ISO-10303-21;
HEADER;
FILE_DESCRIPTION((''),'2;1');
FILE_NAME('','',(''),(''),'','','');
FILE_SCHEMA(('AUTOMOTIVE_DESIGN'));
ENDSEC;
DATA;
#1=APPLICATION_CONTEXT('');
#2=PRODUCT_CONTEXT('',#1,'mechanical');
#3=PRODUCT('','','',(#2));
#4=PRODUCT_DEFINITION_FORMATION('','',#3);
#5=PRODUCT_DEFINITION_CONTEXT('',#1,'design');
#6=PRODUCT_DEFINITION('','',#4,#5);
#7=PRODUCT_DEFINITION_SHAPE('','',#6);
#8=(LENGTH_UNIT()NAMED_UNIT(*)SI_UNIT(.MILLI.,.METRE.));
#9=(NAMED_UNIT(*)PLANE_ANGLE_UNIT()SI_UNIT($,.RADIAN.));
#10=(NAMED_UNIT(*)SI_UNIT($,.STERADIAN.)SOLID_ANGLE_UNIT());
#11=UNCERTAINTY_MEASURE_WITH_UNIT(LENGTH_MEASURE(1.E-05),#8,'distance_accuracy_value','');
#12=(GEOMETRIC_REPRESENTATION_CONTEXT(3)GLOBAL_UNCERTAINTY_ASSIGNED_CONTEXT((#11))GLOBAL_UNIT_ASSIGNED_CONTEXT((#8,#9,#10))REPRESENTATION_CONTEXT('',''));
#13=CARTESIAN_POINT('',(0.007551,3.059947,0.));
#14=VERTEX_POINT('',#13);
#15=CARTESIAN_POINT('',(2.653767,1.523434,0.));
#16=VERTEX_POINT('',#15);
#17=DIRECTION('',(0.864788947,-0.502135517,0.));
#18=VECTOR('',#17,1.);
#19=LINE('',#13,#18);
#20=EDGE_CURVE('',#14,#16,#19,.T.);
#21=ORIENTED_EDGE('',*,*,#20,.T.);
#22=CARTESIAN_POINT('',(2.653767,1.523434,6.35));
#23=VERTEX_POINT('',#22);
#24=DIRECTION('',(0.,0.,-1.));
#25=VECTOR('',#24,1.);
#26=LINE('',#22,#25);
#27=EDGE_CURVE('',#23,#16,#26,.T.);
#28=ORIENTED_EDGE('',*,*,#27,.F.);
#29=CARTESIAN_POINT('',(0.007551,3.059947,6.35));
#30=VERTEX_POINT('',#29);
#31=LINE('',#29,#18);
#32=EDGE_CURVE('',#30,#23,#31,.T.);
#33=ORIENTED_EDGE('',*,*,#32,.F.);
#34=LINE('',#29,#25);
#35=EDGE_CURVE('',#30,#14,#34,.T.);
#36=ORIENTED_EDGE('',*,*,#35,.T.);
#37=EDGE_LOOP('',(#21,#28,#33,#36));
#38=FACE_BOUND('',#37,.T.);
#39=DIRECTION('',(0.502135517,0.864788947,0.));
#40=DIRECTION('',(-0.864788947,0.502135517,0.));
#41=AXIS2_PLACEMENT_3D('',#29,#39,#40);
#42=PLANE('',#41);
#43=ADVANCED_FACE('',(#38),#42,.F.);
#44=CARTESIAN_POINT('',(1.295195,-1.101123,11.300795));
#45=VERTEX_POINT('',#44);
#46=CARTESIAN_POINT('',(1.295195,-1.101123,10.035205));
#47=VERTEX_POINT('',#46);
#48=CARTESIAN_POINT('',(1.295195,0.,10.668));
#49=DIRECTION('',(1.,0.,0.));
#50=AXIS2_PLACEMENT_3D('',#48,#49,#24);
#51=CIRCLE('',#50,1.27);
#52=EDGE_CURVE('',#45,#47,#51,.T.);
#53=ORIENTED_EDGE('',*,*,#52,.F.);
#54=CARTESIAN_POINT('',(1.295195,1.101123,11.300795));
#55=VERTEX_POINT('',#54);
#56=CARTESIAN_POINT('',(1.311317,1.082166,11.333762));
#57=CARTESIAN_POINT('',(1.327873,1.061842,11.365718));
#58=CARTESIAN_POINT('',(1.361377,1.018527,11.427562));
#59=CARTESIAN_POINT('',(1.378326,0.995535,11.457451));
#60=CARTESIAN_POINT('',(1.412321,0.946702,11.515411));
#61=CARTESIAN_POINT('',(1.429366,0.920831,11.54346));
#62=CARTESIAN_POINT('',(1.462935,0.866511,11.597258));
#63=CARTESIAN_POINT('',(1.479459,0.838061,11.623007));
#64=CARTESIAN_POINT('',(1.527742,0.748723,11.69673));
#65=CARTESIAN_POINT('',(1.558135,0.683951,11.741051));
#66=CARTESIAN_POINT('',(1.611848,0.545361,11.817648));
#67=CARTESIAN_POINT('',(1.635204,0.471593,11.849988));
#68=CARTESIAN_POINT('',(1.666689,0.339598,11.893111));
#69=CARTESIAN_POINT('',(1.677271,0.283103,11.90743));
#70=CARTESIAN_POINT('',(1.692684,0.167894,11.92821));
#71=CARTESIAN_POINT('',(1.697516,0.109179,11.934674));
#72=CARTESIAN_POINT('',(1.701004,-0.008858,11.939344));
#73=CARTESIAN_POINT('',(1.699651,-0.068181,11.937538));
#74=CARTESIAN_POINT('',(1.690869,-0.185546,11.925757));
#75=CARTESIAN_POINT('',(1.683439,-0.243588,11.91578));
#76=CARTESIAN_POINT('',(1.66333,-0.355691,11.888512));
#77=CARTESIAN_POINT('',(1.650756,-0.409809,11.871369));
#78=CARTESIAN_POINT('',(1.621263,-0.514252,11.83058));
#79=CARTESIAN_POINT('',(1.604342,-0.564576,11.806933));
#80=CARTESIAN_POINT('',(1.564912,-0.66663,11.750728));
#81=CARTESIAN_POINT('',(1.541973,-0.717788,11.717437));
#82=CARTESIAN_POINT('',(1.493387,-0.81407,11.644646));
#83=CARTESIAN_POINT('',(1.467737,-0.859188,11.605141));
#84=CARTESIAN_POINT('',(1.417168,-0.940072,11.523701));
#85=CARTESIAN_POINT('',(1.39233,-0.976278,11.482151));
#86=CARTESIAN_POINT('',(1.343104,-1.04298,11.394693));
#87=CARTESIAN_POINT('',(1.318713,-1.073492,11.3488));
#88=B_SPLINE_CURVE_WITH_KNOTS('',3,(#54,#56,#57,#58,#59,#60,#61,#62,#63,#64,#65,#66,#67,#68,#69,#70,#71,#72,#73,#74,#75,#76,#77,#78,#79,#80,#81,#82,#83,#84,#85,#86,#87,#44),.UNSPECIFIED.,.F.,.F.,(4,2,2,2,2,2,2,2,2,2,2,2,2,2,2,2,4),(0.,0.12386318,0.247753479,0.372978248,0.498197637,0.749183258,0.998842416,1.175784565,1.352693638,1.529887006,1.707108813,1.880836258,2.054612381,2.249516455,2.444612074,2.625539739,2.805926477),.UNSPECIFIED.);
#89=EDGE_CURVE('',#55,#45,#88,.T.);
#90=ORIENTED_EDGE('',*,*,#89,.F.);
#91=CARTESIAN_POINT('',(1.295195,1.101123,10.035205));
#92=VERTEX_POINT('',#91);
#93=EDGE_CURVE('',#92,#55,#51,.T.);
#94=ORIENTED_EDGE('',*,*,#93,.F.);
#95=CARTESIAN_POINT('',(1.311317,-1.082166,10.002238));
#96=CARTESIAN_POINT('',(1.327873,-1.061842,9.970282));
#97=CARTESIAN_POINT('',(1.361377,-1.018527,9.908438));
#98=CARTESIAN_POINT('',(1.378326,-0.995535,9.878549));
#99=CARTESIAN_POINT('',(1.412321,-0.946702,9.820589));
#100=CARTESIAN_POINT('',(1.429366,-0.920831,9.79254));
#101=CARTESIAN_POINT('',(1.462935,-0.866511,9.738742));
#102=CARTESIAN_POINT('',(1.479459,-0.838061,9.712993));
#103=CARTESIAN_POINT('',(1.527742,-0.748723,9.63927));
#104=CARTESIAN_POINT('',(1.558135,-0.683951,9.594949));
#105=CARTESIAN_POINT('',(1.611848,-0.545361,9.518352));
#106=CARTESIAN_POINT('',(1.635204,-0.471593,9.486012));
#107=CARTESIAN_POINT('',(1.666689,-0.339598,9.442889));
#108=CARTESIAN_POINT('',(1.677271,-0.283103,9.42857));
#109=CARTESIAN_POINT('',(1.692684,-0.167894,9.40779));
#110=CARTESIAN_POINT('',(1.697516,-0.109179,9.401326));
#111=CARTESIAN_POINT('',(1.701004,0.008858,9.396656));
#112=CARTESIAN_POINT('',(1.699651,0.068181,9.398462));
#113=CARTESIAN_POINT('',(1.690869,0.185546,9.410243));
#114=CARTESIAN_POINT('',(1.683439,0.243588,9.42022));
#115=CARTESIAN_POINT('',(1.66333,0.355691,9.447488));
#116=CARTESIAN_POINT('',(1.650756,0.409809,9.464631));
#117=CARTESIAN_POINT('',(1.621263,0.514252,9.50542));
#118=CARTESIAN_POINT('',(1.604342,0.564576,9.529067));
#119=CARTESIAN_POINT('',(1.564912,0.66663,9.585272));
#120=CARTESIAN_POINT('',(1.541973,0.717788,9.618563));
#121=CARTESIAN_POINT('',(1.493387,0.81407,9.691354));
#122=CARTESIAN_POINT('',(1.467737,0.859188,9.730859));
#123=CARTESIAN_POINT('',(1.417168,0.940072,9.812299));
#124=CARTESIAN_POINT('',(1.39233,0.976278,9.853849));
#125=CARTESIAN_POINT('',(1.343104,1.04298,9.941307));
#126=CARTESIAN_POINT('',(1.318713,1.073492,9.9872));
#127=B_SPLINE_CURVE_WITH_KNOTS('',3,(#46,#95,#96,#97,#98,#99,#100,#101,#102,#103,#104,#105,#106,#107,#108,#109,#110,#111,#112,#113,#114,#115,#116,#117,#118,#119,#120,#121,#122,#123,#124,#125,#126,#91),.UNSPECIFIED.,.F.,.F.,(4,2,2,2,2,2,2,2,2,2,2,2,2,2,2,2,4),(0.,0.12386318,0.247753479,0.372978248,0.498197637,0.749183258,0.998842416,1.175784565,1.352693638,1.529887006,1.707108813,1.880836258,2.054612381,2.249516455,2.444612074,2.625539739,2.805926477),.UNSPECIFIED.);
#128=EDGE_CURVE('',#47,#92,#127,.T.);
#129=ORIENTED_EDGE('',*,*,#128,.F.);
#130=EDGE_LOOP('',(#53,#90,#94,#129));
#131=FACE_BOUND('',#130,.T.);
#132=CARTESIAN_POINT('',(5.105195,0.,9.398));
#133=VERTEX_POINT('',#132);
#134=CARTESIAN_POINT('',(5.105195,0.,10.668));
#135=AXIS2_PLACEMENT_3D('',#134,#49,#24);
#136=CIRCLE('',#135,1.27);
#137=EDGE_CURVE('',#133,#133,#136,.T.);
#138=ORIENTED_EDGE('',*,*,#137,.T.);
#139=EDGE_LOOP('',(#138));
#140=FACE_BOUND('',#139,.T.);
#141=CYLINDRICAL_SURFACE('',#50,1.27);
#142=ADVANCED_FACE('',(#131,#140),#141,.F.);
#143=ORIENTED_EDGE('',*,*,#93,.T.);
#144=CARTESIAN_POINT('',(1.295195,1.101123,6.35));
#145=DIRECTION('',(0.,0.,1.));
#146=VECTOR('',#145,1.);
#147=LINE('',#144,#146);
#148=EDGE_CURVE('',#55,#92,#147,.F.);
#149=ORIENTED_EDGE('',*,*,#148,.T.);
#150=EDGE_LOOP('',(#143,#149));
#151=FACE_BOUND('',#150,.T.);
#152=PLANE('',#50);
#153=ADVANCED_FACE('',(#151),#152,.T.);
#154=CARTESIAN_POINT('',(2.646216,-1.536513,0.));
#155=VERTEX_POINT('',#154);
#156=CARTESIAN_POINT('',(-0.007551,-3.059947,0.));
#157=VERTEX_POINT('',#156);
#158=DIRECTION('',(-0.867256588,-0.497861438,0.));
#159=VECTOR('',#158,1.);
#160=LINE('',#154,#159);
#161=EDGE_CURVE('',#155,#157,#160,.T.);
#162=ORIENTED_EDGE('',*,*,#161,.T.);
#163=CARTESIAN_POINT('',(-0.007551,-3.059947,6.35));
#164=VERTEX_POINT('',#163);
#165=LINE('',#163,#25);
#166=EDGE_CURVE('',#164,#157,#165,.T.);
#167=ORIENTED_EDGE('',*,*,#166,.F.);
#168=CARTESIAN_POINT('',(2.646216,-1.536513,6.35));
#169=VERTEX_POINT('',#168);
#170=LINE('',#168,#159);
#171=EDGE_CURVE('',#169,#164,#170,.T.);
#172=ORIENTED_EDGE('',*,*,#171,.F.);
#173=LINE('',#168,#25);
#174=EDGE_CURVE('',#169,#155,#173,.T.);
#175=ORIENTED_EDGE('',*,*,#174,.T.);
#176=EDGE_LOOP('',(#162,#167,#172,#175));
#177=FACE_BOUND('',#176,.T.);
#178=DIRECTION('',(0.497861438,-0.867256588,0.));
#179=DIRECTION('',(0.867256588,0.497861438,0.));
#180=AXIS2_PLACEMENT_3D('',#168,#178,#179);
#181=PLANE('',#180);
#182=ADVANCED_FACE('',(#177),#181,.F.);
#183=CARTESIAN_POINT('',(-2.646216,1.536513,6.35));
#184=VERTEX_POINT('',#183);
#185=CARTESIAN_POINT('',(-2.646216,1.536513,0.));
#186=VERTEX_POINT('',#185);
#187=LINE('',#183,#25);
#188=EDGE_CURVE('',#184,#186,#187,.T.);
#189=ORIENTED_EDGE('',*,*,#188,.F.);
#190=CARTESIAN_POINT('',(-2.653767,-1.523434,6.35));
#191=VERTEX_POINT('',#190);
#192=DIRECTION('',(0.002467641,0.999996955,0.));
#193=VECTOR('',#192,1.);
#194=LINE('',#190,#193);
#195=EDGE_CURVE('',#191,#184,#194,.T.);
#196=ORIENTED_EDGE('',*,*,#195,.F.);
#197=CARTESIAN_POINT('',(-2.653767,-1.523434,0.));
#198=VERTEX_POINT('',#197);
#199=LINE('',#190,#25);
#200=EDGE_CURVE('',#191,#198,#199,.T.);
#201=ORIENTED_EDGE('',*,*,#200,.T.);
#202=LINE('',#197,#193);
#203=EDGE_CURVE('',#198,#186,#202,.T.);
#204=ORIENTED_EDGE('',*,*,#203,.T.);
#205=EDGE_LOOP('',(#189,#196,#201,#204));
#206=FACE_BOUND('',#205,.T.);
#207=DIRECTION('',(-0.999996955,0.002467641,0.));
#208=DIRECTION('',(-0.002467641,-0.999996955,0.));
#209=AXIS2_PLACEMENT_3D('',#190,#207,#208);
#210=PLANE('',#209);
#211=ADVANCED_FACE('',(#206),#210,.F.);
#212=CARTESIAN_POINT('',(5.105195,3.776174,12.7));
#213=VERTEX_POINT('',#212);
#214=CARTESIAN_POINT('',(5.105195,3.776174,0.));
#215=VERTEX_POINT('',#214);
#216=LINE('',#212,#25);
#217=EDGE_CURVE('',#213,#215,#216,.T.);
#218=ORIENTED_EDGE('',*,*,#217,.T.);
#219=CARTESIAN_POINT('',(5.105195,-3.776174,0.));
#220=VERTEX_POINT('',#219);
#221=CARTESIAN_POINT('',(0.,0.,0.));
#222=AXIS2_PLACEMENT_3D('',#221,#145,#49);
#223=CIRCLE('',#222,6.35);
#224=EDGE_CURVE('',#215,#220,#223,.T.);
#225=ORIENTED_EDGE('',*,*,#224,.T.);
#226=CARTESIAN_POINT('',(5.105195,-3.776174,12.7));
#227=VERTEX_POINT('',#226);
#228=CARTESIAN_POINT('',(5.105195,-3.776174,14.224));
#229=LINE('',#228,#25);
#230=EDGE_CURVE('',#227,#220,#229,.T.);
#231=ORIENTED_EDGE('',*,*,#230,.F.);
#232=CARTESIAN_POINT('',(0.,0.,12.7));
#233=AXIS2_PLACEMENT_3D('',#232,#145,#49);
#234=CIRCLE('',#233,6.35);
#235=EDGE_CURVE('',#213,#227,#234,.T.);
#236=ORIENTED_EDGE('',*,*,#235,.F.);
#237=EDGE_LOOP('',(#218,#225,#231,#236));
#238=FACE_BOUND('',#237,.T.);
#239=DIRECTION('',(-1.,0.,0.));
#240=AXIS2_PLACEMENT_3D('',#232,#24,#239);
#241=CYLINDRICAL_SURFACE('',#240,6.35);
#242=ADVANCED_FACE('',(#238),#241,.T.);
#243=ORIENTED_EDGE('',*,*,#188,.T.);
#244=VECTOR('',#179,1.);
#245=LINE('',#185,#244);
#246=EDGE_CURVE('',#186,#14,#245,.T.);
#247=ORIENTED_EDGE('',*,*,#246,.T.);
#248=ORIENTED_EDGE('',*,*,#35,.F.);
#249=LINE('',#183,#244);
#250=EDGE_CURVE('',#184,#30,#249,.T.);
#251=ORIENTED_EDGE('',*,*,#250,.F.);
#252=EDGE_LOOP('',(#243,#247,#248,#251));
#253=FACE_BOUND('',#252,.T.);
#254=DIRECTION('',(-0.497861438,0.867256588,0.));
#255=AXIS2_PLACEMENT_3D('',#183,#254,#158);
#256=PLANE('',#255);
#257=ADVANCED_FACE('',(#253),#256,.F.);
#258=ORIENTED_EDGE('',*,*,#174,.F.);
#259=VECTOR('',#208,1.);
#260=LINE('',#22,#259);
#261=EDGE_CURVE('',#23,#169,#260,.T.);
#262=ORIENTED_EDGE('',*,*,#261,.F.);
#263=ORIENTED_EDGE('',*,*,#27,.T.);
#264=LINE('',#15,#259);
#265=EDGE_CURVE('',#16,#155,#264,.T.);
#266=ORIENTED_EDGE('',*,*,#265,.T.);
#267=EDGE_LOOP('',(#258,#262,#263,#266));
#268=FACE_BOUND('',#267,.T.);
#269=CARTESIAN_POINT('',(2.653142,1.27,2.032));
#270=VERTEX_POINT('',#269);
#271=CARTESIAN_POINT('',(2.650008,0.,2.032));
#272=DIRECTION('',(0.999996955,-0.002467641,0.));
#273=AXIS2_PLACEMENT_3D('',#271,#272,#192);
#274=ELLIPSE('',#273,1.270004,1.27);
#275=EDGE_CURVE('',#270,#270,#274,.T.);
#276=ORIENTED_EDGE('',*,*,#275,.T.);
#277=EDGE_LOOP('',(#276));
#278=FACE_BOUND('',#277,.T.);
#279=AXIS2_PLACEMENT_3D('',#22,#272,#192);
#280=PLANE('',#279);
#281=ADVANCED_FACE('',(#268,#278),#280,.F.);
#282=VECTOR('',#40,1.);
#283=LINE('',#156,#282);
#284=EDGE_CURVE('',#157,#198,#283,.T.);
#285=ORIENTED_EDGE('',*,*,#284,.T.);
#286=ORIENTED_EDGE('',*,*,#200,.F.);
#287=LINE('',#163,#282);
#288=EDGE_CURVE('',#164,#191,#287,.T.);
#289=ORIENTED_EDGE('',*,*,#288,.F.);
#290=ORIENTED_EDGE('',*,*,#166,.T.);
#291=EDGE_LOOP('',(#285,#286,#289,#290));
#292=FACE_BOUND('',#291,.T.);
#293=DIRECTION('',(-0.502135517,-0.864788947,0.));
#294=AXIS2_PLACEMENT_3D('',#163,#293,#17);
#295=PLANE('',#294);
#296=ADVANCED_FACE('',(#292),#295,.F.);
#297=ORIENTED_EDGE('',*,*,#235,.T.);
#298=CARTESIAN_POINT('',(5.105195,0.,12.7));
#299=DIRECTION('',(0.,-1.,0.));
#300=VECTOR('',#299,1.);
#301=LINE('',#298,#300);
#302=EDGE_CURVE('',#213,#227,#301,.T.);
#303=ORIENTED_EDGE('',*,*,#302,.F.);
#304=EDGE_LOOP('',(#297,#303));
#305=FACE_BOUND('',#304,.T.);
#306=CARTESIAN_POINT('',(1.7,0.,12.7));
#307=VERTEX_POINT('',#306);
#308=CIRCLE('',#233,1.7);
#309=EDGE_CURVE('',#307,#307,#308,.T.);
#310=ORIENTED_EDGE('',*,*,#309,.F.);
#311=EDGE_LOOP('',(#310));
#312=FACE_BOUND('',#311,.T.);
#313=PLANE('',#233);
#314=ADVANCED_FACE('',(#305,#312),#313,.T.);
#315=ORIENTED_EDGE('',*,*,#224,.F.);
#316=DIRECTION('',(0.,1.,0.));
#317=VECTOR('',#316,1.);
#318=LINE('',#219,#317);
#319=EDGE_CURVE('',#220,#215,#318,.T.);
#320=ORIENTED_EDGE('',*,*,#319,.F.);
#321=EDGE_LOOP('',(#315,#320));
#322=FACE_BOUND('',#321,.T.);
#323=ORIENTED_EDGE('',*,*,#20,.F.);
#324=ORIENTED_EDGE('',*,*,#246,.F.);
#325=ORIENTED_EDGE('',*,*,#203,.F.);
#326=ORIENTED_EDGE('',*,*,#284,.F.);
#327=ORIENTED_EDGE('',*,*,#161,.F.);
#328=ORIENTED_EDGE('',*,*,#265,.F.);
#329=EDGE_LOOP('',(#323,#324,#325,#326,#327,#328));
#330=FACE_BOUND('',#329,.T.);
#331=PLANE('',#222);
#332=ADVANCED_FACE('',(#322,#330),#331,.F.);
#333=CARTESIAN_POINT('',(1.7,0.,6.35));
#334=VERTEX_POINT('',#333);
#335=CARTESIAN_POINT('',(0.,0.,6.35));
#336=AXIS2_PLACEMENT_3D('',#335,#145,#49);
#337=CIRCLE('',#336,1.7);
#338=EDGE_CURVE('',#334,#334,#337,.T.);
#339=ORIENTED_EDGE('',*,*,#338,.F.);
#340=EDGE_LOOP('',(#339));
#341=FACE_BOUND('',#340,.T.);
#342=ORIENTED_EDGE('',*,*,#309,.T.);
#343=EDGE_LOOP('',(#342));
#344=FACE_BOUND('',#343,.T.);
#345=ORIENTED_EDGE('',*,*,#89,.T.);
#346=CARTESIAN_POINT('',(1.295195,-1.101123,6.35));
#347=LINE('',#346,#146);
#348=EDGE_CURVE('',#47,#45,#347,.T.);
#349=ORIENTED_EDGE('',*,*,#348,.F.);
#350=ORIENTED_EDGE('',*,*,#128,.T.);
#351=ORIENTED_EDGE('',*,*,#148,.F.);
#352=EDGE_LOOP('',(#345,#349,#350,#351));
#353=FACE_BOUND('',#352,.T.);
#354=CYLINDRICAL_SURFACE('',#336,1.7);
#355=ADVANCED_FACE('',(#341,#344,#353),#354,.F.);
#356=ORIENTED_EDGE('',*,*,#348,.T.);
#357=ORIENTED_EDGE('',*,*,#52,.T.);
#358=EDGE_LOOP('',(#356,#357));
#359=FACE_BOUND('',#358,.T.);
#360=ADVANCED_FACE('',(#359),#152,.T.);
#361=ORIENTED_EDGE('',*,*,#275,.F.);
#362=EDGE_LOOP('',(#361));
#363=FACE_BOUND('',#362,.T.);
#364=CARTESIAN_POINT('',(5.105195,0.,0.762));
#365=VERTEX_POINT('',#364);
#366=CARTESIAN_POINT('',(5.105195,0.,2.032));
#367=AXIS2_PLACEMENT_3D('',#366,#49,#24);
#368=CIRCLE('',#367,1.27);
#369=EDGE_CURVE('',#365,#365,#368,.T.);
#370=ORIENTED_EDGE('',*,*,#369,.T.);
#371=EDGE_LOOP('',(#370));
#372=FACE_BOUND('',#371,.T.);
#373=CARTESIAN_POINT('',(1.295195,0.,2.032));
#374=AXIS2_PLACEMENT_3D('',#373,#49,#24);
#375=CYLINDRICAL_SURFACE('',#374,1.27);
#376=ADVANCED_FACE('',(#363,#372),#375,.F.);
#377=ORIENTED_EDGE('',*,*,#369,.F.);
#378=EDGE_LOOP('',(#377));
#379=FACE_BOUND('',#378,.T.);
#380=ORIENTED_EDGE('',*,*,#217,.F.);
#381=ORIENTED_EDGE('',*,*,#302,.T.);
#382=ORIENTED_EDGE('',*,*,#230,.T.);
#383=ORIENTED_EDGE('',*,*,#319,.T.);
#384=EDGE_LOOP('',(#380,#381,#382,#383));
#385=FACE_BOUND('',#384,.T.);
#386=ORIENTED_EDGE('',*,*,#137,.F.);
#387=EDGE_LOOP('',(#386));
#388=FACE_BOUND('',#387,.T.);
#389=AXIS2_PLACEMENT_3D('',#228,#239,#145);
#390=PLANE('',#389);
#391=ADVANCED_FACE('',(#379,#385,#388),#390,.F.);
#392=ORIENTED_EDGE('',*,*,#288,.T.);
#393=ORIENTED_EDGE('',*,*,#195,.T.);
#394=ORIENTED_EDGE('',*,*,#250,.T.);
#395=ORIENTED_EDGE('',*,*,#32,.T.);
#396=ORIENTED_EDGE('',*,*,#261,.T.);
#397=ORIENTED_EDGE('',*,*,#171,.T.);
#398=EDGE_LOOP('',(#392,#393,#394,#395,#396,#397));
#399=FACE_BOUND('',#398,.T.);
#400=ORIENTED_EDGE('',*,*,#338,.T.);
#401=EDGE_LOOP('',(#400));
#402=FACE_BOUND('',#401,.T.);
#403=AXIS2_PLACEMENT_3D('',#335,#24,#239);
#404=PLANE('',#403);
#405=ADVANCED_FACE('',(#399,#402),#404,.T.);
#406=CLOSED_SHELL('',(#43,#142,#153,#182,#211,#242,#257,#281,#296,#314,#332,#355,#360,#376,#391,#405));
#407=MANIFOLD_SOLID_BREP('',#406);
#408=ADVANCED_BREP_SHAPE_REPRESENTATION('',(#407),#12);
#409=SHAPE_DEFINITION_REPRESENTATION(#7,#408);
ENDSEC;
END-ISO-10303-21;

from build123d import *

# Parameters (mm, degrees)
SKETCH1_R           = 6.35
BOSS_EXTRUDE1_DEPTH = 12.7
SKETCH2_R           = 1.7
CUT_EXTRUDE1_DEPTH  = 6.35
CUT_EXTRUDE2_DEPTH  = 6.35
SKETCH4_W           = 3.114007597
SKETCH4_H           = 7.898709862
CUT_EXTRUDE3_DEPTH  = 14.224
SKETCH5_R           = 1.27
CUT_EXTRUDE4_DEPTH  = 3.81


with BuildPart() as part:
    # Sketch1 → Boss-Extrude1 (new body)
    with BuildSketch(Plane.XY):
        Circle(SKETCH1_R)
    extrude(amount=BOSS_EXTRUDE1_DEPTH)

    # Sketch2 → Cut-Extrude1 (cut)
    with BuildSketch(Plane.XY.offset(12.7)):
        Circle(SKETCH2_R)
    extrude(amount=-CUT_EXTRUDE1_DEPTH, mode=Mode.SUBTRACT)

    # Sketch3 → Cut-Extrude2 (cut)
    with BuildSketch(Plane(origin=(0, 0, 0), x_dir=(-1, 0, 0), z_dir=(0, 0, -1))):
        Polygon((-2.646216495, -1.536512804), (0.007550874, -3.05994711), (2.653767369, -1.523434307), (2.646216495, 1.536512804), (-0.007550874, 3.05994711), (-2.653767369, 1.523434307), align=None)
    extrude(amount=-CUT_EXTRUDE2_DEPTH, mode=Mode.SUBTRACT)

    # Sketch4 → Cut-Extrude3 (cut)
    with BuildSketch(Plane(origin=(0, 0, 0), x_dir=(-1, 0, 0), z_dir=(0, 0, -1))):
        with Locations((-6.6621984, 0.173181196)):
            Rectangle(SKETCH4_W, SKETCH4_H)
    extrude(amount=-CUT_EXTRUDE3_DEPTH, mode=Mode.SUBTRACT)

    # Sketch5 → Cut-Extrude4 (cut)
    with BuildSketch(Plane(origin=(5.105194602, 0, 0), x_dir=(0, 0, -1), z_dir=(1, 0, 0))):
        with Locations((-10.668, 0)):
            Circle(SKETCH5_R)
        with Locations((-2.032, 0)):
            Circle(SKETCH5_R)
    extrude(amount=-CUT_EXTRUDE4_DEPTH, mode=Mode.SUBTRACT)


solid = part.part
